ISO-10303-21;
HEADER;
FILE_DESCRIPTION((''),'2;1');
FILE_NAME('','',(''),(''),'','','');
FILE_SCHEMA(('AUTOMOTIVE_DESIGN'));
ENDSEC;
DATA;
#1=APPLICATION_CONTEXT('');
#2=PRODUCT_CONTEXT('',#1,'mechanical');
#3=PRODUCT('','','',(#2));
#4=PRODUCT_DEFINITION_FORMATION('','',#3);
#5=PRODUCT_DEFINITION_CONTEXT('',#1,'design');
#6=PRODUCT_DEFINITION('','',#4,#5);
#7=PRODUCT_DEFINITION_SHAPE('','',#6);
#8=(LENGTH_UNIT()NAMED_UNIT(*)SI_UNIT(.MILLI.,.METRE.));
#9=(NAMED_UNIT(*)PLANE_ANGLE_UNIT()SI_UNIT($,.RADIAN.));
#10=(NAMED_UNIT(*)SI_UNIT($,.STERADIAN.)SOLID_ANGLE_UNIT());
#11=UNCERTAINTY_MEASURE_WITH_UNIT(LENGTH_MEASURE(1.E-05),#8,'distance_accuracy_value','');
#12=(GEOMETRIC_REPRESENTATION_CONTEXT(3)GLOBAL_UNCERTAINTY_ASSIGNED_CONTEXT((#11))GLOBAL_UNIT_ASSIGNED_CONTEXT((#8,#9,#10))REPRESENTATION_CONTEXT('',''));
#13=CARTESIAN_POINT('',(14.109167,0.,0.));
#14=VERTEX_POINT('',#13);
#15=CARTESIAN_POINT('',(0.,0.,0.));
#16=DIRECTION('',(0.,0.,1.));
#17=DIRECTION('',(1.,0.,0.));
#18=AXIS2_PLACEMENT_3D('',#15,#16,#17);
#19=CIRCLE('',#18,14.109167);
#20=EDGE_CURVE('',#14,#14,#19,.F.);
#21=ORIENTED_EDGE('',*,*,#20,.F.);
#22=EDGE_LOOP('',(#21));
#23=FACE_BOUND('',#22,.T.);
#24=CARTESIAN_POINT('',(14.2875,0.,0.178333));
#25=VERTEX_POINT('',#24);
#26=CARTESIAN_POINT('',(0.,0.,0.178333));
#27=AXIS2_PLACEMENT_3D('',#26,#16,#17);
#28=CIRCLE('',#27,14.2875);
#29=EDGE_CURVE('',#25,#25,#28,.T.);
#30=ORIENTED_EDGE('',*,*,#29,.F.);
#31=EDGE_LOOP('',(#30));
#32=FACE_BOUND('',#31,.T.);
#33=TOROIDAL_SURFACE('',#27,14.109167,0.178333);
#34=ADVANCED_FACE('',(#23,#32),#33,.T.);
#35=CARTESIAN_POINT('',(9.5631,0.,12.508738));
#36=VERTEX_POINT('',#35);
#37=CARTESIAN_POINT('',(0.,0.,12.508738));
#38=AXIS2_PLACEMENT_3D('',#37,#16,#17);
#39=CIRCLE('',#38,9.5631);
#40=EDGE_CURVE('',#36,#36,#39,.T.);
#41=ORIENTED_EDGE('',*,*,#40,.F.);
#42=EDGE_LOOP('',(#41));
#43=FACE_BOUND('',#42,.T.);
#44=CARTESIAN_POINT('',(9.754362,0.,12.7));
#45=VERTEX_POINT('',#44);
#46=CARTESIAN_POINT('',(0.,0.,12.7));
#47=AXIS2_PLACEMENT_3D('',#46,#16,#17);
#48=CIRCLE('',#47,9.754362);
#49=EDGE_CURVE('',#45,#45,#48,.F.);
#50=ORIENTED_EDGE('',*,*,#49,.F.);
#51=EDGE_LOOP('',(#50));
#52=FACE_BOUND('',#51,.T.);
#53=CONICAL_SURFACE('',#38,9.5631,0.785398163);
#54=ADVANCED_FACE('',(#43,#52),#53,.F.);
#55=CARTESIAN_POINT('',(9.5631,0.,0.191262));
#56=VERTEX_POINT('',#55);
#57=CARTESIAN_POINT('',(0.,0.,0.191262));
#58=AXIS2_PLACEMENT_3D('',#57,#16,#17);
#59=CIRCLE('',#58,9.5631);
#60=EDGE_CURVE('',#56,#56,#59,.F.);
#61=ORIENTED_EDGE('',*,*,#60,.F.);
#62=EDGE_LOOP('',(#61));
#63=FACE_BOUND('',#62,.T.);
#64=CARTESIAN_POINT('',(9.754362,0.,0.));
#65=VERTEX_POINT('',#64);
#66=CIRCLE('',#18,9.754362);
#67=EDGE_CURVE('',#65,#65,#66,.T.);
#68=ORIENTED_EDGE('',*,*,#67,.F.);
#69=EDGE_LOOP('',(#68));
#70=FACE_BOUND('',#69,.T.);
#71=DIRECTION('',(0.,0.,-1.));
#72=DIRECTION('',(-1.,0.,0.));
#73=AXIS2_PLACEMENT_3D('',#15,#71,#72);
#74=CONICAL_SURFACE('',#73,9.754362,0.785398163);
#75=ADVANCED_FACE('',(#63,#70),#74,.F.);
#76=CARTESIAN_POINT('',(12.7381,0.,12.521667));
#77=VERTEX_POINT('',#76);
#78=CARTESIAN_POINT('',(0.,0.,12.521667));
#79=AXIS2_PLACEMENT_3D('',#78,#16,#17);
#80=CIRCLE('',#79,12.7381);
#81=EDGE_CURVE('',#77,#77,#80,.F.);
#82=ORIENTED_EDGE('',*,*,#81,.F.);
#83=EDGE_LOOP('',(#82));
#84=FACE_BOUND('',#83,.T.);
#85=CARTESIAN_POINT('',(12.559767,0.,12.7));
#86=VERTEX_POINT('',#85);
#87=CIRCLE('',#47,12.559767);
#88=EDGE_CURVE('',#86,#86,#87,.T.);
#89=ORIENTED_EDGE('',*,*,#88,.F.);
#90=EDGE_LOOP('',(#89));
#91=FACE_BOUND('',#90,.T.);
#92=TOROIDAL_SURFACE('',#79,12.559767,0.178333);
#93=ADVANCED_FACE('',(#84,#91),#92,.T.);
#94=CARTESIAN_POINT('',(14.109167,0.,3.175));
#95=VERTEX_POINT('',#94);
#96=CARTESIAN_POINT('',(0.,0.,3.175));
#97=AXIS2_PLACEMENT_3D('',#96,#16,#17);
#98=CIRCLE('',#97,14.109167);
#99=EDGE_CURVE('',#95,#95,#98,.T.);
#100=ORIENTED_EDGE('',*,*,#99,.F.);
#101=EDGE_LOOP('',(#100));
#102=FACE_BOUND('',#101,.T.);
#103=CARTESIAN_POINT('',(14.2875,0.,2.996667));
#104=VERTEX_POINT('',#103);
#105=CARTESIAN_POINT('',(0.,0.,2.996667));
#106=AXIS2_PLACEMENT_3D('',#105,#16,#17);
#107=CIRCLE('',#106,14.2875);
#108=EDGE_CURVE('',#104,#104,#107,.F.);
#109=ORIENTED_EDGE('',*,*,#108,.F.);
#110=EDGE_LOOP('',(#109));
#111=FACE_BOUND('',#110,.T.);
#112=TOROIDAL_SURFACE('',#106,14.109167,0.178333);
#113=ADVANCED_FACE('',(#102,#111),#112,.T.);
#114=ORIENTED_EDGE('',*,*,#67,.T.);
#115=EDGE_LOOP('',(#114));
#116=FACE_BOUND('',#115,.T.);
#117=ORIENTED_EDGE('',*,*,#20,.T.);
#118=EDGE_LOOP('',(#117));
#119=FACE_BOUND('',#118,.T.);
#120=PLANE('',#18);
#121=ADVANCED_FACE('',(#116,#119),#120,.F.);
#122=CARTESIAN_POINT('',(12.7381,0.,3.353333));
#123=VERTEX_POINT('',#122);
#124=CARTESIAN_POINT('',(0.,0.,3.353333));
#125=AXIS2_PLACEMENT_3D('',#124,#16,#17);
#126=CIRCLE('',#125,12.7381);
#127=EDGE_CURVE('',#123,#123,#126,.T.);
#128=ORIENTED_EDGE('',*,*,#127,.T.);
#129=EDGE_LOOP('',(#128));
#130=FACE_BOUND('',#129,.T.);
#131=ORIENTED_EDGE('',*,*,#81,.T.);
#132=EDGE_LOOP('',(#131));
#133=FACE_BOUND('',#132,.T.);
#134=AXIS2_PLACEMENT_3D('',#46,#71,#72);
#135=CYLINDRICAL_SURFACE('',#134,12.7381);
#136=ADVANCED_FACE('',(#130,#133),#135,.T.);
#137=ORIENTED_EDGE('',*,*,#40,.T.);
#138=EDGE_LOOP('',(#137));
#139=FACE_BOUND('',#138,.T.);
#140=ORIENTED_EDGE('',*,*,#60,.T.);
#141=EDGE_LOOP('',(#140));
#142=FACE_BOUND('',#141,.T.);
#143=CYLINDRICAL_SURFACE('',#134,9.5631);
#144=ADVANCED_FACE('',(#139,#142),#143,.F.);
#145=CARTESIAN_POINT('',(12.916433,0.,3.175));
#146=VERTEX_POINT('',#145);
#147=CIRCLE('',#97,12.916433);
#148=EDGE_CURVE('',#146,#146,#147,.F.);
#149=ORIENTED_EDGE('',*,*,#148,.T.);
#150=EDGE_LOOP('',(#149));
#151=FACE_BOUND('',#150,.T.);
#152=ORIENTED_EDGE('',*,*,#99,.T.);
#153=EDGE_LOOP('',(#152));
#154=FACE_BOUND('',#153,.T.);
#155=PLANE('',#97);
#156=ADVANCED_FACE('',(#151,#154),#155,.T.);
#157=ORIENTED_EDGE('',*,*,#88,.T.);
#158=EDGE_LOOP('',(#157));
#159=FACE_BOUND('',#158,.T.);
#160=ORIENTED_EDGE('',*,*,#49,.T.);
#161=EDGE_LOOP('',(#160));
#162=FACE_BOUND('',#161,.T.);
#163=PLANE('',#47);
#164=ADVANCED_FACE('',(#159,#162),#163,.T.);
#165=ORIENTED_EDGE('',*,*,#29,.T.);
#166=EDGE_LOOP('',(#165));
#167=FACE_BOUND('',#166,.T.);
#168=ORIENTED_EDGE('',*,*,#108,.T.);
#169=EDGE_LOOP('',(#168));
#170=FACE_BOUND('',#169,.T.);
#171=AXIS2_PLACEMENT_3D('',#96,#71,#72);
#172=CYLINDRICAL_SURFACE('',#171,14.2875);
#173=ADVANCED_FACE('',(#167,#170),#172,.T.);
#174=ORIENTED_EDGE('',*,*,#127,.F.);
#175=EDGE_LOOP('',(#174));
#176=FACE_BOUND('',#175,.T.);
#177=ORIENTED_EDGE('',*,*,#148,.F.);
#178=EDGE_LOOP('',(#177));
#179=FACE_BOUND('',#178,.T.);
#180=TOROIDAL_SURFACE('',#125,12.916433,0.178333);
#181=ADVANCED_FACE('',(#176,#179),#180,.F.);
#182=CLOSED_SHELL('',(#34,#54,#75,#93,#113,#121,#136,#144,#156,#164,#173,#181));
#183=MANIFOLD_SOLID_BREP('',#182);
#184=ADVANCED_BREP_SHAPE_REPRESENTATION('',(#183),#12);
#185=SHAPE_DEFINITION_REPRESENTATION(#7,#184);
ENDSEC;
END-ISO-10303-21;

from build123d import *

# Parameters (mm, degrees)
SKETCH3_R           = 12.7381
SKETCH3_R_2         = 9.5631
BOSS_EXTRUDE1_DEPTH = 12.7
SKETCH4_R           = 14.2875
SKETCH4_R_2         = 12.7381
BOSS_EXTRUDE2_DEPTH = 3.175
CHAMFER1_SIZE       = 0.191262
FILLET1_R           = 0.1783334


with BuildPart() as part:
    # Sketch3 → Boss-Extrude1 (new body)
    with BuildSketch(Plane.XY):
        Circle(SKETCH3_R)
        Circle(SKETCH3_R_2, mode=Mode.SUBTRACT)
    extrude(amount=BOSS_EXTRUDE1_DEPTH)

    # Sketch4 → Boss-Extrude2 (add)
    with BuildSketch(Plane.XY):
        Circle(SKETCH4_R)
        Circle(SKETCH4_R_2, mode=Mode.SUBTRACT)
    extrude(amount=BOSS_EXTRUDE2_DEPTH)

    # Chamfer1
    chamfer1_edges = [part.edges().sort_by_distance(p)[0] for p in [
        (-9.5631, 0, 0),
        (-9.5631, 0, 12.7),
    ]]
    chamfer(chamfer1_edges, length=CHAMFER1_SIZE)

    # Fillet1
    fillet1_edges = [part.edges().sort_by_distance(p)[0] for p in [
        (-14.2875, 0, 3.175),
        (-14.2875, 0, 0),
        (-12.7381, 0, 3.175),
        (-12.7381, 0, 12.7),
    ]]
    fillet(fillet1_edges, radius=FILLET1_R)


solid = part.part
